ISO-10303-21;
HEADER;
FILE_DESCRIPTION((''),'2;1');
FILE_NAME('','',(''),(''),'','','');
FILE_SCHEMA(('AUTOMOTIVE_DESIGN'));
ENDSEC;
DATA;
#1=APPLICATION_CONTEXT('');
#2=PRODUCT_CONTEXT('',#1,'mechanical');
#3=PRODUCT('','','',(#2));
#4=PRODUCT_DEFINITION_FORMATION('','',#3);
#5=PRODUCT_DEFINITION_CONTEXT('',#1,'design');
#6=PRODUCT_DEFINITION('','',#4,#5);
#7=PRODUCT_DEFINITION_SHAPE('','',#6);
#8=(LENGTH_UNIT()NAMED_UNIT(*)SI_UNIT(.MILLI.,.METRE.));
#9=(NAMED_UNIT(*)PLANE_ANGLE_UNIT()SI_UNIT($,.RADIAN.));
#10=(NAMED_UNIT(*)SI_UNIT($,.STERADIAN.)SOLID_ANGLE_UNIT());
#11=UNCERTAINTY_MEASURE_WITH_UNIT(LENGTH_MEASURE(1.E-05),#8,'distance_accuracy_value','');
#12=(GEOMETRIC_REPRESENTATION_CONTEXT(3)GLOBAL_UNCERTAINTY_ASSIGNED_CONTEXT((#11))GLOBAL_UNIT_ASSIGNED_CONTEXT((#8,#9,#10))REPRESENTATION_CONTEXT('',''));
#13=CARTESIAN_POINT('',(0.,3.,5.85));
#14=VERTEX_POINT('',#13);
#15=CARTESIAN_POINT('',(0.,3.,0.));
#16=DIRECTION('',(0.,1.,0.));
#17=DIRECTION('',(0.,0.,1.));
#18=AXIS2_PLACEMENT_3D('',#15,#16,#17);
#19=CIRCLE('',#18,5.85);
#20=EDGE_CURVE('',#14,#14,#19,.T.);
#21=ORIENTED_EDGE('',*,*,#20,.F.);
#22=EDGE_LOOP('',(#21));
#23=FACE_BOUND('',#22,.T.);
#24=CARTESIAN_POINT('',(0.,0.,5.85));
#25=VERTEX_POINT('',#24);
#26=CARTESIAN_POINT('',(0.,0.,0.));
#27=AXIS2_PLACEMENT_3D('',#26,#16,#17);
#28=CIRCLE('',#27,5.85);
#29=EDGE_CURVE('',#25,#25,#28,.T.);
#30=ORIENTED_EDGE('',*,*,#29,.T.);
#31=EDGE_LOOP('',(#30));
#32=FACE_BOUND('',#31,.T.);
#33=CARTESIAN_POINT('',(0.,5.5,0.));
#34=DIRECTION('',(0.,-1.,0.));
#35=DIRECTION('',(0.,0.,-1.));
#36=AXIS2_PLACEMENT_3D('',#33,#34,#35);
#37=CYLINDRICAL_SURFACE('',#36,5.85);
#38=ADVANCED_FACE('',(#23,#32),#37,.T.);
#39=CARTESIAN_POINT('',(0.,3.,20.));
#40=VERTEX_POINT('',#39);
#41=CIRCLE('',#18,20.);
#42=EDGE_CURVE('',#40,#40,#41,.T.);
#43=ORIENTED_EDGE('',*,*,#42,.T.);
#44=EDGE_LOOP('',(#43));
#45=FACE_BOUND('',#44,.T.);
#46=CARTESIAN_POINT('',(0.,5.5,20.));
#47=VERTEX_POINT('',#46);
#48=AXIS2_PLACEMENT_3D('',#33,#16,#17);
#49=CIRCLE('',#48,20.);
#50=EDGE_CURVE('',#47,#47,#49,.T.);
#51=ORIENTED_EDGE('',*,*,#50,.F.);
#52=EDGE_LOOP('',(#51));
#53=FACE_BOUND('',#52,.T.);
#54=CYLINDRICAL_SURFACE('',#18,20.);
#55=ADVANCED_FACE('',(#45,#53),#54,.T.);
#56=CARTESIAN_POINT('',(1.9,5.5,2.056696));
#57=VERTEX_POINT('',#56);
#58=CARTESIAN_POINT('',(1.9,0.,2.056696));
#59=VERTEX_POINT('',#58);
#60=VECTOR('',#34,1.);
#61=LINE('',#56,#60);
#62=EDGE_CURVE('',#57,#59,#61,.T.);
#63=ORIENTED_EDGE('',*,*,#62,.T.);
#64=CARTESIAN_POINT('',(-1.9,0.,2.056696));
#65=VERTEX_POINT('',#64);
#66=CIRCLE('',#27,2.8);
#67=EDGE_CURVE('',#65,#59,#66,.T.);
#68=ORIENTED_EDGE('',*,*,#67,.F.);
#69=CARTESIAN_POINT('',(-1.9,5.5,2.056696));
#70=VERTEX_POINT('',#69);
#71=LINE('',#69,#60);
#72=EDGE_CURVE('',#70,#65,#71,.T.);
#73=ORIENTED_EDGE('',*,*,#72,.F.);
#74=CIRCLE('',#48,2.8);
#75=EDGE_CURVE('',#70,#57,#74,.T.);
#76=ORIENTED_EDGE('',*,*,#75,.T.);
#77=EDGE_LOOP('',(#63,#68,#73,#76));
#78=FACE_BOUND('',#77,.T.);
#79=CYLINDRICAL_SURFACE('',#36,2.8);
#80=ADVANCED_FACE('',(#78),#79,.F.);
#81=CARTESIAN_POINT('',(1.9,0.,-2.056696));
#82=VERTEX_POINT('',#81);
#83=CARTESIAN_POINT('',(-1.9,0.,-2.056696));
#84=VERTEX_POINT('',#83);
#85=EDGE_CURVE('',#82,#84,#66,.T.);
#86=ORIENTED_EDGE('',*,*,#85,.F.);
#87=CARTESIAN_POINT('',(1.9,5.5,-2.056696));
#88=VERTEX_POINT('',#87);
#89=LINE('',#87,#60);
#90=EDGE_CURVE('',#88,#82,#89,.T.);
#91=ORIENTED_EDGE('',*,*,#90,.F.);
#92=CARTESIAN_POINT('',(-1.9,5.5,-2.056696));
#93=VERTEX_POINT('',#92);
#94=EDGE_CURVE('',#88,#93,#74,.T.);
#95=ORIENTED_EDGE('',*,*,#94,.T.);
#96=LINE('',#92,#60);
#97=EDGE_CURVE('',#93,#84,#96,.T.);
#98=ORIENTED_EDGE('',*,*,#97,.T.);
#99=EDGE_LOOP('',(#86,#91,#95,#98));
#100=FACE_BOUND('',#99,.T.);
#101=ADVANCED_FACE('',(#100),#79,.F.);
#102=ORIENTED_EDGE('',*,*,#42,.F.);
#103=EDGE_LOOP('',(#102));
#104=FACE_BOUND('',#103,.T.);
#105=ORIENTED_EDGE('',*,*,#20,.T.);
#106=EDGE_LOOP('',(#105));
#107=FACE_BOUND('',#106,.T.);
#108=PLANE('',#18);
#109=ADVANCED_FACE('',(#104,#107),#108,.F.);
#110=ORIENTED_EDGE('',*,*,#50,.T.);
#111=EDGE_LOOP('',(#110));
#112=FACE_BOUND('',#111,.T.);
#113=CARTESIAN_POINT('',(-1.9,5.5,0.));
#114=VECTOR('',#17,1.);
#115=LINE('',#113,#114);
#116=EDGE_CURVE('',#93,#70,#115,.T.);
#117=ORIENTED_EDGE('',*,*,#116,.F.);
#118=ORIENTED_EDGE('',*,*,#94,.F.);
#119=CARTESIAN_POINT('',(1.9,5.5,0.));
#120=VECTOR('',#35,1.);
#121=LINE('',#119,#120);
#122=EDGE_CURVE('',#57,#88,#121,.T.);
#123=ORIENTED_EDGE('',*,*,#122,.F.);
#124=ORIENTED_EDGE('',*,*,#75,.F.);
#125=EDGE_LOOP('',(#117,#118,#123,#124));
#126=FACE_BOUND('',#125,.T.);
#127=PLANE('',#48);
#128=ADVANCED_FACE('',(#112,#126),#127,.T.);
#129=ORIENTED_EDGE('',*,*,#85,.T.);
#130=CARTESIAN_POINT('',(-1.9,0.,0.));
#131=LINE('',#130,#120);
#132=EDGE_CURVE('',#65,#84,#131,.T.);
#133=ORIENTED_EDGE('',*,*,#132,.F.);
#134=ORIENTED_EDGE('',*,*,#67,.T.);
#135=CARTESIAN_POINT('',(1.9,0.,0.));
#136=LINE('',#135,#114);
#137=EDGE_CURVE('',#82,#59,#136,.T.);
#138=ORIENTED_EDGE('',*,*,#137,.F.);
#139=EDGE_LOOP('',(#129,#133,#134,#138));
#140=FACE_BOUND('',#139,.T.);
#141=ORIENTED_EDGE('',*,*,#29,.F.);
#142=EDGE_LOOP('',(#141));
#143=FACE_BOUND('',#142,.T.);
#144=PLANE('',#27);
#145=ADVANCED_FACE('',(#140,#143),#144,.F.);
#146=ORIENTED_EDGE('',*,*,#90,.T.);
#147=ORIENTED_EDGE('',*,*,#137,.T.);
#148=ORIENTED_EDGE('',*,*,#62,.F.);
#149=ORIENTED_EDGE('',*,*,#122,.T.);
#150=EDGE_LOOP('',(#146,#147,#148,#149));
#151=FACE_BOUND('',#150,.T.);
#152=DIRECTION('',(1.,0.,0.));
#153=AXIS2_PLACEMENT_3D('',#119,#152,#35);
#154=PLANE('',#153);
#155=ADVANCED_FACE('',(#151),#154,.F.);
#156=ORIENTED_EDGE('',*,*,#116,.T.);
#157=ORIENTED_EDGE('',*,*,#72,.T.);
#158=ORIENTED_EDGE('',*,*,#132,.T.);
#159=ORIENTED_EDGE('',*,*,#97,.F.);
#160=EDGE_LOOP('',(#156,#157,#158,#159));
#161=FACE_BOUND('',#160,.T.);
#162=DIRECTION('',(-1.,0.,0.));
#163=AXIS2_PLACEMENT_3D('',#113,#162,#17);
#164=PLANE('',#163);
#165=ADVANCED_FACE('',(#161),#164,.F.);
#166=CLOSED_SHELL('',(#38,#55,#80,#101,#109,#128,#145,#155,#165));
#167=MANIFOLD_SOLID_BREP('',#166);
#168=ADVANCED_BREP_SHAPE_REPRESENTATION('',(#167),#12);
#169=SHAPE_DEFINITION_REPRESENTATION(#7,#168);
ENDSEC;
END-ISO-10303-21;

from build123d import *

# Parameters (mm, degrees)
BOSS_EXTRUDE1_DEPTH = 5.5
SKETCH2_R           = 20
BOSS_EXTRUDE2_DEPTH = 2.5
CUT_EXTRUDE1_DEPTH  = 8


with BuildPart() as part:
    # Sketch1 → Boss-Extrude1 (new body)
    with BuildSketch(Plane(origin=(0, 0, 0), x_dir=(1, 0, 0), z_dir=(0, 1, 0))):
        with BuildLine():
            ThreePointArc((-1.9, -2.05669638), (-2.8, 0), (-1.9, 2.05669638))
            Line((-1.9, 2.05669638), (-1.9, 5.532856405))
            ThreePointArc((-1.9, 5.532856405), (-5.85, 0), (-1.9, -5.532856405))
            Line((-1.9, -5.532856405), (-1.9, -2.05669638))
        make_face()
        with BuildLine():
            ThreePointArc((-1.9, 2.05669638), (0, 2.8), (1.9, 2.05669638))
            Line((1.9, 2.05669638), (1.9, 5.532856405))
            ThreePointArc((1.9, 5.532856405), (0, 5.85), (-1.9, 5.532856405))
            Line((-1.9, 5.532856405), (-1.9, 2.05669638))
        make_face()
        with BuildLine():
            Line((1.9, 5.532856405), (1.9, 2.05669638))
            ThreePointArc((1.9, 2.05669638), (2.565151068, 1.122497216), (2.8, 0))
            ThreePointArc((2.8, 0), (2.565151068, -1.122497216), (1.9, -2.05669638))
            Line((1.9, -2.05669638), (1.9, -5.532856405))
            ThreePointArc((1.9, -5.532856405), (4.761171074, -3.399080758), (5.85, 0))
            ThreePointArc((5.85, 0), (4.761171074, 3.399080758), (1.9, 5.532856405))
        make_face()
        with BuildLine():
            Line((1.9, -5.532856405), (1.9, -2.05669638))
            ThreePointArc((1.9, -2.05669638), (0, -2.8), (-1.9, -2.05669638))
            Line((-1.9, -2.05669638), (-1.9, -5.532856405))
            ThreePointArc((-1.9, -5.532856405), (0, -5.85), (1.9, -5.532856405))
        make_face()
        with BuildLine():
            Line((-1.9, -2.05669638), (-1.9, 2.05669638))
            ThreePointArc((-1.9, 2.05669638), (-2.8, 0), (-1.9, -2.05669638))
        make_face()
        with BuildLine():
            ThreePointArc((2.8, 0), (2.565151068, 1.122497216), (1.9, 2.05669638))
            Line((1.9, 2.05669638), (1.9, -2.05669638))
            ThreePointArc((1.9, -2.05669638), (2.565151068, -1.122497216), (2.8, 0))
        make_face()
    extrude(amount=BOSS_EXTRUDE1_DEPTH)

    # Sketch2 → Boss-Extrude2 (add)
    with BuildSketch(Plane(origin=(0, 5.5, 0), x_dir=(1, 0, 0), z_dir=(0, 1, 0))):
        with Locations(Location((0, 0, 0), (0, 0, 270))):
            Circle(SKETCH2_R)
    extrude(amount=-BOSS_EXTRUDE2_DEPTH)

    # Sketch3 → Cut-Extrude1 (cut)
    with BuildSketch(Plane.XZ.offset(-3)):
        with BuildLine():
            Line((-1.9, 2.05669638), (-1.9, -2.05669638))
            ThreePointArc((-1.9, -2.05669638), (0, -2.8), (1.9, -2.05669638))
            Line((1.9, -2.05669638), (1.9, 2.05669638))
            ThreePointArc((1.9, 2.05669638), (0, 2.8), (-1.9, 2.05669638))
        make_face()
    extrude(amount=-CUT_EXTRUDE1_DEPTH, mode=Mode.SUBTRACT)


solid = part.part
